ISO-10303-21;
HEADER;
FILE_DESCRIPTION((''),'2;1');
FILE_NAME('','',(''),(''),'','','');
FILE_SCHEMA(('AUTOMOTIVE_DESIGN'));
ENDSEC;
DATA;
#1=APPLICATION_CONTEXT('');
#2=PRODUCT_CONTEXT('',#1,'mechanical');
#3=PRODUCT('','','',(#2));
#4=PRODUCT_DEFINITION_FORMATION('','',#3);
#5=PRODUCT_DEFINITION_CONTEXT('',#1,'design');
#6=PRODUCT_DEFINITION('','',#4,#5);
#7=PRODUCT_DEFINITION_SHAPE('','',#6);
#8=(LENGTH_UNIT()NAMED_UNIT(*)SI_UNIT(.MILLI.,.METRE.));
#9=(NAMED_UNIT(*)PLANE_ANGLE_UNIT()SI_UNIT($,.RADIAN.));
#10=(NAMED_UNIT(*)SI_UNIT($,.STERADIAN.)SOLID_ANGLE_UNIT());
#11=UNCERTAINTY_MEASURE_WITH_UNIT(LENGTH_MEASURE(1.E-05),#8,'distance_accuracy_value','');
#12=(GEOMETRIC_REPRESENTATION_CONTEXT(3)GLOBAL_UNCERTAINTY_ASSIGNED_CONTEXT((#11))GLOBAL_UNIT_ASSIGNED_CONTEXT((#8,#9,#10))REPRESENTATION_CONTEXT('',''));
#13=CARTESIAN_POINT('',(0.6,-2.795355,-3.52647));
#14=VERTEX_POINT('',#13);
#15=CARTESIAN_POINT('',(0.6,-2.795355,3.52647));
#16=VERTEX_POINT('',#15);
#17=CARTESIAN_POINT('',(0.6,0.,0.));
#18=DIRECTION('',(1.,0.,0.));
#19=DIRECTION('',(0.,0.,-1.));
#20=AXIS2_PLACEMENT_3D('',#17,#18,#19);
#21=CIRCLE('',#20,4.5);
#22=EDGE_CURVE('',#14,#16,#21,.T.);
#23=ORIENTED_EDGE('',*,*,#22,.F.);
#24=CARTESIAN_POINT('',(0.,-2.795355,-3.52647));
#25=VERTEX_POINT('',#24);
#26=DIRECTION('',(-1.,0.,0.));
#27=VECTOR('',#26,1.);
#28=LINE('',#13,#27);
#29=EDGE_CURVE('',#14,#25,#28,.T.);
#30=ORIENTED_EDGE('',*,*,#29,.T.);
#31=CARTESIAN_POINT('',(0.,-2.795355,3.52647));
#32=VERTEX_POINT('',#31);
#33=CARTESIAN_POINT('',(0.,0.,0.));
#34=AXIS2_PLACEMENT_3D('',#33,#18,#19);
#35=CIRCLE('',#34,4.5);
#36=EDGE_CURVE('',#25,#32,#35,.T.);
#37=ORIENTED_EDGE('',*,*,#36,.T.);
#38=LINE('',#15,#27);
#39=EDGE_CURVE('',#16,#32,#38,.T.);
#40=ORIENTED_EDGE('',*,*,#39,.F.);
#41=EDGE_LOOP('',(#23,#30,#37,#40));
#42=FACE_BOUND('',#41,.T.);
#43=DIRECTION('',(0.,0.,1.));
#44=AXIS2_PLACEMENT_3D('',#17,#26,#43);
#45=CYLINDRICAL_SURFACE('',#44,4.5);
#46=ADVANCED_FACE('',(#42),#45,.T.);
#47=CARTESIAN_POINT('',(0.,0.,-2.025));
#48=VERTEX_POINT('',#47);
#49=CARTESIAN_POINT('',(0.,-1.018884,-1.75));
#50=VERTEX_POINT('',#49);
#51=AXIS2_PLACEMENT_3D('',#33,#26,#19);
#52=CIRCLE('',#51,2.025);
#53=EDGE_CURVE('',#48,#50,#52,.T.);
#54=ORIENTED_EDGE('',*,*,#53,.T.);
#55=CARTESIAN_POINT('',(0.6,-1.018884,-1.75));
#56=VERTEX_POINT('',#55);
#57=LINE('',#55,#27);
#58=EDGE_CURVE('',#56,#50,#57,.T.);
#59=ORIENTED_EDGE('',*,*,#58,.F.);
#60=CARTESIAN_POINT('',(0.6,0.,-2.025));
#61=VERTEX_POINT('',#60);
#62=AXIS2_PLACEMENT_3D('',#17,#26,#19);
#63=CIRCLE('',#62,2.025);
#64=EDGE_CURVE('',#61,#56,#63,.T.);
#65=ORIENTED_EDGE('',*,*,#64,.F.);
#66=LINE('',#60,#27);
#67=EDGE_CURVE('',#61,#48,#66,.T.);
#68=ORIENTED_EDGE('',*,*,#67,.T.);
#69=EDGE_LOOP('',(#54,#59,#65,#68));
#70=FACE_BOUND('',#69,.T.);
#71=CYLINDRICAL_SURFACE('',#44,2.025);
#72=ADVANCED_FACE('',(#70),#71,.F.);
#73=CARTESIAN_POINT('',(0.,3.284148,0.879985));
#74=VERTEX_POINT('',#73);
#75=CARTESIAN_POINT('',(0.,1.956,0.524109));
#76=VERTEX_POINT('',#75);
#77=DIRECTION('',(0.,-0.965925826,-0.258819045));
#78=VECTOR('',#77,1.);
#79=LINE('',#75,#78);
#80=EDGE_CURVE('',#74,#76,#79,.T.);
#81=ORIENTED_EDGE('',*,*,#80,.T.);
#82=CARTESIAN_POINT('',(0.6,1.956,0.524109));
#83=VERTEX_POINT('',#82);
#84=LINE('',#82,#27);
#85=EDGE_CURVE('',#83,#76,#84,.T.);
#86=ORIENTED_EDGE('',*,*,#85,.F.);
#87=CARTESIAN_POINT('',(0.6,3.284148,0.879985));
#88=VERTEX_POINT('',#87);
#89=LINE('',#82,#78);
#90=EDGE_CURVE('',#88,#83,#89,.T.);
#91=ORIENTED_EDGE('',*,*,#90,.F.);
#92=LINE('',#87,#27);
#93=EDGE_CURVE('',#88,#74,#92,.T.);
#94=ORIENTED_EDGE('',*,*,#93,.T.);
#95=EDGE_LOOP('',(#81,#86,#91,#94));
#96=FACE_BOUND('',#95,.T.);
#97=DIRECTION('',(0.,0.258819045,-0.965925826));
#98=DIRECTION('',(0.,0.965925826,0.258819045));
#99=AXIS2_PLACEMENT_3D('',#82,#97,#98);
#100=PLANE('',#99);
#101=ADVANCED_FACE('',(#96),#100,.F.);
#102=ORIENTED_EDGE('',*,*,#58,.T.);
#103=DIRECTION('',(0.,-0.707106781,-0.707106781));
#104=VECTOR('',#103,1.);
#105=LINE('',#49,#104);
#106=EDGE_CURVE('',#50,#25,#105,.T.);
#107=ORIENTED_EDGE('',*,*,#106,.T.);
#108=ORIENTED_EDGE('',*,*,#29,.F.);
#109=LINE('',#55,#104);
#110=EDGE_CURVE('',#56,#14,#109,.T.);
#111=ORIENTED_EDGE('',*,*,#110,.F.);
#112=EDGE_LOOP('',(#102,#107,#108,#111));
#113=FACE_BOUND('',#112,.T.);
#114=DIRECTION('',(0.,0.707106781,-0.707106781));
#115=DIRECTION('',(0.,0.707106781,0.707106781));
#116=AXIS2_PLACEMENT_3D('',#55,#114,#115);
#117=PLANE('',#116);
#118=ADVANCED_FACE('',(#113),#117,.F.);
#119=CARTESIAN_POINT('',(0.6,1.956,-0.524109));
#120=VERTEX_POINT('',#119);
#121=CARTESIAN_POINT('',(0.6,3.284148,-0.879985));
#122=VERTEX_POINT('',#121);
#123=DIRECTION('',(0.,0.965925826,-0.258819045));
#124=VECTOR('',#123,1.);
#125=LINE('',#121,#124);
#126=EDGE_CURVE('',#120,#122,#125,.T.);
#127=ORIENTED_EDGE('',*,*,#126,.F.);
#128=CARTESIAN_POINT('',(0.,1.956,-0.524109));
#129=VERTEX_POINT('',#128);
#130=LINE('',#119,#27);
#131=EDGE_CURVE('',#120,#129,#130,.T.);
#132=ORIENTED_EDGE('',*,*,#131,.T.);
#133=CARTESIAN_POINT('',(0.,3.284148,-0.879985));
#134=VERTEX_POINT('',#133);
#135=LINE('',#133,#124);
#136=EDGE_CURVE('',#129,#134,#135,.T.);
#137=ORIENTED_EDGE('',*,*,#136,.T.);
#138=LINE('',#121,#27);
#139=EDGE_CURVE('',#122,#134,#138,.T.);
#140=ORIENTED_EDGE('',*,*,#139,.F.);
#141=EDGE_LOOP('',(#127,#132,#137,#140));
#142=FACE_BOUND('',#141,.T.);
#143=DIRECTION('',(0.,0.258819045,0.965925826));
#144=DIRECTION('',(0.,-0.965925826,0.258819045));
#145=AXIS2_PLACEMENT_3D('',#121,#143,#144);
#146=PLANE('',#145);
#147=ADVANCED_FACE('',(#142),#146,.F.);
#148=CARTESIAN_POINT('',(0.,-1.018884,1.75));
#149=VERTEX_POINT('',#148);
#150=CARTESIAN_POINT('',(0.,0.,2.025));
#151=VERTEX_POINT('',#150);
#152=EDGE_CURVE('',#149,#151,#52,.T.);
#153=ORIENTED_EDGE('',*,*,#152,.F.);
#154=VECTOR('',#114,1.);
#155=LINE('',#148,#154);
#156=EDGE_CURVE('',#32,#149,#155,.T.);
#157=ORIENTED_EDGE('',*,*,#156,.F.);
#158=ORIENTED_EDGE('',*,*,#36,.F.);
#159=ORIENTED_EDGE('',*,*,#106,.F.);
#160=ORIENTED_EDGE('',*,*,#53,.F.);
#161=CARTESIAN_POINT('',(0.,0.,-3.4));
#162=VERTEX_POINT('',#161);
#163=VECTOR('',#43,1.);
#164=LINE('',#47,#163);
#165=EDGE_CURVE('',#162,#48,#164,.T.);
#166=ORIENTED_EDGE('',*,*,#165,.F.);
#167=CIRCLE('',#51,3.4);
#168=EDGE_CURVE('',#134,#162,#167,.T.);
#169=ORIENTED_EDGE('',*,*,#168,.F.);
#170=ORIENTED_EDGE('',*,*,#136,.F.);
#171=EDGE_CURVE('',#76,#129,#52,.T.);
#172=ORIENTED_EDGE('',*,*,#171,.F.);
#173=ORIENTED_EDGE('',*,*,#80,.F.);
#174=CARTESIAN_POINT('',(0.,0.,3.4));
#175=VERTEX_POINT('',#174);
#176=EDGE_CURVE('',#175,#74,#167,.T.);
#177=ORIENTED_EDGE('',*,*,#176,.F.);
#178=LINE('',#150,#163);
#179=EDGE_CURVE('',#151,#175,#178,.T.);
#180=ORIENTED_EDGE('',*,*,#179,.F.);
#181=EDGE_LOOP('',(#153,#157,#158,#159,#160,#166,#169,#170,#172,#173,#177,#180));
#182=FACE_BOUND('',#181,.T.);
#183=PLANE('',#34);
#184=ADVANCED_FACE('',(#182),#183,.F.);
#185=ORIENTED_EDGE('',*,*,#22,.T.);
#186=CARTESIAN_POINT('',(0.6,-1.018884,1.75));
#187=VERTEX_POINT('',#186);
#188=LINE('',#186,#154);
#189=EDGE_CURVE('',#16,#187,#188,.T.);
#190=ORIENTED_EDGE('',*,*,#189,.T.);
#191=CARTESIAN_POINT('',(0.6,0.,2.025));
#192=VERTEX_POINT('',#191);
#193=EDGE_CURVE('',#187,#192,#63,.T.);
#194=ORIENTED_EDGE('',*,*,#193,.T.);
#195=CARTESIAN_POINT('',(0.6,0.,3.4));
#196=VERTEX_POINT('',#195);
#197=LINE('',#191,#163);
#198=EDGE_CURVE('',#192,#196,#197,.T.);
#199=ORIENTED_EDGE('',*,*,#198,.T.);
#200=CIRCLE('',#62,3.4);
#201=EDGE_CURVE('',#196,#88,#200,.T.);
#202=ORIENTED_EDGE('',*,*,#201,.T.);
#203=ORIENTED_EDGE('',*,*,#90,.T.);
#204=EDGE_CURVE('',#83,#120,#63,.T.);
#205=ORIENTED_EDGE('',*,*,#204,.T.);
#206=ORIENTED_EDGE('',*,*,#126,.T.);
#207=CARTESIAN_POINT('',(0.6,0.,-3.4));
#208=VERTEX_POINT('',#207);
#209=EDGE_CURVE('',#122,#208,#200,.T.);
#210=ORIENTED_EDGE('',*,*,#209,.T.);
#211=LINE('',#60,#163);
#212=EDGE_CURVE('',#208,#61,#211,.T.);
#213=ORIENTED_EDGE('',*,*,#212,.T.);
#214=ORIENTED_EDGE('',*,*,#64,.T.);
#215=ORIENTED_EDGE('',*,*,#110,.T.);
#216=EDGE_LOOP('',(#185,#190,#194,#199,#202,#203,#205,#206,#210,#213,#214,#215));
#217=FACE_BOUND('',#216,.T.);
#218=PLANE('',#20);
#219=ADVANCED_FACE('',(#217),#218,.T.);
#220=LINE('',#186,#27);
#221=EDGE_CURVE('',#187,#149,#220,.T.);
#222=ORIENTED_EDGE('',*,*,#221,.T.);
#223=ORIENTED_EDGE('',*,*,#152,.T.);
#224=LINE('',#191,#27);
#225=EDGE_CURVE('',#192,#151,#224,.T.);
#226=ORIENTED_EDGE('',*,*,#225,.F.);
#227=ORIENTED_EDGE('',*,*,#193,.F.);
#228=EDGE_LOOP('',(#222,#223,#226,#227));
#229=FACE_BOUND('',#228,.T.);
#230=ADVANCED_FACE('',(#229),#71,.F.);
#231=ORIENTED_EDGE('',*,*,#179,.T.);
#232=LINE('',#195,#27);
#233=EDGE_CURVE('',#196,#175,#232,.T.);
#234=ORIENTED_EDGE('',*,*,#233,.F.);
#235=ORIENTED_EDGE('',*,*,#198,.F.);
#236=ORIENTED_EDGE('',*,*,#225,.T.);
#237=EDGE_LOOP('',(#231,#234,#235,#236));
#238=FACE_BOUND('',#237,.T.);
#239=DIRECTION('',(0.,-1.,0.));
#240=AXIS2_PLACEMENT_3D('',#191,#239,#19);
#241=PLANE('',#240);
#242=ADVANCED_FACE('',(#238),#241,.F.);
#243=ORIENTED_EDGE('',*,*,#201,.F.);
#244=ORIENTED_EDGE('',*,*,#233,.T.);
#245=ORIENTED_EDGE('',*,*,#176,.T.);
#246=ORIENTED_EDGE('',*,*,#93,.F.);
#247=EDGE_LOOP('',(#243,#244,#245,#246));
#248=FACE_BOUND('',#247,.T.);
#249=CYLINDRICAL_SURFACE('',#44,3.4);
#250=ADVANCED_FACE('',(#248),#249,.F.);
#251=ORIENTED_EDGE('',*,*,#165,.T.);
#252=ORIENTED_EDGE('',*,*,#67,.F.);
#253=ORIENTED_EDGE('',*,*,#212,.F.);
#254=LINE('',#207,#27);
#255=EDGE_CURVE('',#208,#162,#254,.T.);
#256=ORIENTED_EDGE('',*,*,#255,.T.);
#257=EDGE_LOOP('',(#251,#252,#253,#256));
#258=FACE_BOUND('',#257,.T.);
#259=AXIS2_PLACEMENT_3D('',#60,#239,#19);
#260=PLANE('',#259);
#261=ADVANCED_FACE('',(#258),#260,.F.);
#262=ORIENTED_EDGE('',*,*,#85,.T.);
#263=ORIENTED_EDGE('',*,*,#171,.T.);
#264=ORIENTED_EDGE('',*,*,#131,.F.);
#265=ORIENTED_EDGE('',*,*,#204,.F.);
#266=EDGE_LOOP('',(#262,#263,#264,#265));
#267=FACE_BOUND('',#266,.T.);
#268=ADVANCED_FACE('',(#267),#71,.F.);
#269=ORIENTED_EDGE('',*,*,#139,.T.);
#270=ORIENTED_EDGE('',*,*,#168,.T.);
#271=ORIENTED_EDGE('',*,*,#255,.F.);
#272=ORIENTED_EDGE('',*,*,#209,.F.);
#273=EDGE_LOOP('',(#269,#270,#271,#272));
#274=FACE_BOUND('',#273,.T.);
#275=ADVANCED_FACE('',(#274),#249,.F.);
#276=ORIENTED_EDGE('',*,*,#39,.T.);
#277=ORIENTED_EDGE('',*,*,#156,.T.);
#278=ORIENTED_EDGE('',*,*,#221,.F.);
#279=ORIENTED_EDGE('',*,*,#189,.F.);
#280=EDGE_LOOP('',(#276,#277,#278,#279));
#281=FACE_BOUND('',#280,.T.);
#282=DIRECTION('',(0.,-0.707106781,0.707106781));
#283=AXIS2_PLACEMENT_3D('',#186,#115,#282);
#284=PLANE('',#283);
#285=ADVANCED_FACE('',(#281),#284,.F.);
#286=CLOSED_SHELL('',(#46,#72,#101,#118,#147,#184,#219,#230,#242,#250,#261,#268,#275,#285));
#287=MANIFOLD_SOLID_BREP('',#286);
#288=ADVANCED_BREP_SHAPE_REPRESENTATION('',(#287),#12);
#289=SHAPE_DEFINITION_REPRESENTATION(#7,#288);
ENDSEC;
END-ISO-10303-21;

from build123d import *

# Parameters (mm, degrees)
BOSS_EXTRUDE1_DEPTH = 0.6


with BuildPart() as part:
    # Sketch1 → Boss-Extrude1 (new body)
    with BuildSketch(Plane(origin=(0, 0, 0), x_dir=(0, 0, -1), z_dir=(1, 0, 0))):
        with BuildLine():
            Line((-2.025, 0), (-3.4, 0))
            ThreePointArc((-3.4, 0), (-2.697401357, 2.069788859), (-0.879984753, 3.284147809))
            Line((-0.879984753, 3.284147809), (-0.524108566, 1.955999798))
            ThreePointArc((-0.524108566, 1.955999798), (0, 2.025), (0.524108566, 1.955999798))
            Line((0.524108566, 1.955999798), (0.879984753, 3.284147809))
            ThreePointArc((0.879984753, 3.284147809), (2.697401357, 2.069788859), (3.4, 0))
            Line((3.4, 0), (2.025, 0))
            ThreePointArc((2.025, 0), (1.95504156, -0.527671773), (1.75, -1.018884194))
            Line((1.75, -1.018884194), (3.526470338, -2.795354531))
            ThreePointArc((3.526470338, -2.795354531), (0, 4.5), (-3.526470338, -2.795354531))
            Line((-3.526470338, -2.795354531), (-1.75, -1.018884194))
            ThreePointArc((-1.75, -1.018884194), (-1.95504156, -0.527671773), (-2.025, 0))
        make_face()
    extrude(amount=BOSS_EXTRUDE1_DEPTH)


solid = part.part
